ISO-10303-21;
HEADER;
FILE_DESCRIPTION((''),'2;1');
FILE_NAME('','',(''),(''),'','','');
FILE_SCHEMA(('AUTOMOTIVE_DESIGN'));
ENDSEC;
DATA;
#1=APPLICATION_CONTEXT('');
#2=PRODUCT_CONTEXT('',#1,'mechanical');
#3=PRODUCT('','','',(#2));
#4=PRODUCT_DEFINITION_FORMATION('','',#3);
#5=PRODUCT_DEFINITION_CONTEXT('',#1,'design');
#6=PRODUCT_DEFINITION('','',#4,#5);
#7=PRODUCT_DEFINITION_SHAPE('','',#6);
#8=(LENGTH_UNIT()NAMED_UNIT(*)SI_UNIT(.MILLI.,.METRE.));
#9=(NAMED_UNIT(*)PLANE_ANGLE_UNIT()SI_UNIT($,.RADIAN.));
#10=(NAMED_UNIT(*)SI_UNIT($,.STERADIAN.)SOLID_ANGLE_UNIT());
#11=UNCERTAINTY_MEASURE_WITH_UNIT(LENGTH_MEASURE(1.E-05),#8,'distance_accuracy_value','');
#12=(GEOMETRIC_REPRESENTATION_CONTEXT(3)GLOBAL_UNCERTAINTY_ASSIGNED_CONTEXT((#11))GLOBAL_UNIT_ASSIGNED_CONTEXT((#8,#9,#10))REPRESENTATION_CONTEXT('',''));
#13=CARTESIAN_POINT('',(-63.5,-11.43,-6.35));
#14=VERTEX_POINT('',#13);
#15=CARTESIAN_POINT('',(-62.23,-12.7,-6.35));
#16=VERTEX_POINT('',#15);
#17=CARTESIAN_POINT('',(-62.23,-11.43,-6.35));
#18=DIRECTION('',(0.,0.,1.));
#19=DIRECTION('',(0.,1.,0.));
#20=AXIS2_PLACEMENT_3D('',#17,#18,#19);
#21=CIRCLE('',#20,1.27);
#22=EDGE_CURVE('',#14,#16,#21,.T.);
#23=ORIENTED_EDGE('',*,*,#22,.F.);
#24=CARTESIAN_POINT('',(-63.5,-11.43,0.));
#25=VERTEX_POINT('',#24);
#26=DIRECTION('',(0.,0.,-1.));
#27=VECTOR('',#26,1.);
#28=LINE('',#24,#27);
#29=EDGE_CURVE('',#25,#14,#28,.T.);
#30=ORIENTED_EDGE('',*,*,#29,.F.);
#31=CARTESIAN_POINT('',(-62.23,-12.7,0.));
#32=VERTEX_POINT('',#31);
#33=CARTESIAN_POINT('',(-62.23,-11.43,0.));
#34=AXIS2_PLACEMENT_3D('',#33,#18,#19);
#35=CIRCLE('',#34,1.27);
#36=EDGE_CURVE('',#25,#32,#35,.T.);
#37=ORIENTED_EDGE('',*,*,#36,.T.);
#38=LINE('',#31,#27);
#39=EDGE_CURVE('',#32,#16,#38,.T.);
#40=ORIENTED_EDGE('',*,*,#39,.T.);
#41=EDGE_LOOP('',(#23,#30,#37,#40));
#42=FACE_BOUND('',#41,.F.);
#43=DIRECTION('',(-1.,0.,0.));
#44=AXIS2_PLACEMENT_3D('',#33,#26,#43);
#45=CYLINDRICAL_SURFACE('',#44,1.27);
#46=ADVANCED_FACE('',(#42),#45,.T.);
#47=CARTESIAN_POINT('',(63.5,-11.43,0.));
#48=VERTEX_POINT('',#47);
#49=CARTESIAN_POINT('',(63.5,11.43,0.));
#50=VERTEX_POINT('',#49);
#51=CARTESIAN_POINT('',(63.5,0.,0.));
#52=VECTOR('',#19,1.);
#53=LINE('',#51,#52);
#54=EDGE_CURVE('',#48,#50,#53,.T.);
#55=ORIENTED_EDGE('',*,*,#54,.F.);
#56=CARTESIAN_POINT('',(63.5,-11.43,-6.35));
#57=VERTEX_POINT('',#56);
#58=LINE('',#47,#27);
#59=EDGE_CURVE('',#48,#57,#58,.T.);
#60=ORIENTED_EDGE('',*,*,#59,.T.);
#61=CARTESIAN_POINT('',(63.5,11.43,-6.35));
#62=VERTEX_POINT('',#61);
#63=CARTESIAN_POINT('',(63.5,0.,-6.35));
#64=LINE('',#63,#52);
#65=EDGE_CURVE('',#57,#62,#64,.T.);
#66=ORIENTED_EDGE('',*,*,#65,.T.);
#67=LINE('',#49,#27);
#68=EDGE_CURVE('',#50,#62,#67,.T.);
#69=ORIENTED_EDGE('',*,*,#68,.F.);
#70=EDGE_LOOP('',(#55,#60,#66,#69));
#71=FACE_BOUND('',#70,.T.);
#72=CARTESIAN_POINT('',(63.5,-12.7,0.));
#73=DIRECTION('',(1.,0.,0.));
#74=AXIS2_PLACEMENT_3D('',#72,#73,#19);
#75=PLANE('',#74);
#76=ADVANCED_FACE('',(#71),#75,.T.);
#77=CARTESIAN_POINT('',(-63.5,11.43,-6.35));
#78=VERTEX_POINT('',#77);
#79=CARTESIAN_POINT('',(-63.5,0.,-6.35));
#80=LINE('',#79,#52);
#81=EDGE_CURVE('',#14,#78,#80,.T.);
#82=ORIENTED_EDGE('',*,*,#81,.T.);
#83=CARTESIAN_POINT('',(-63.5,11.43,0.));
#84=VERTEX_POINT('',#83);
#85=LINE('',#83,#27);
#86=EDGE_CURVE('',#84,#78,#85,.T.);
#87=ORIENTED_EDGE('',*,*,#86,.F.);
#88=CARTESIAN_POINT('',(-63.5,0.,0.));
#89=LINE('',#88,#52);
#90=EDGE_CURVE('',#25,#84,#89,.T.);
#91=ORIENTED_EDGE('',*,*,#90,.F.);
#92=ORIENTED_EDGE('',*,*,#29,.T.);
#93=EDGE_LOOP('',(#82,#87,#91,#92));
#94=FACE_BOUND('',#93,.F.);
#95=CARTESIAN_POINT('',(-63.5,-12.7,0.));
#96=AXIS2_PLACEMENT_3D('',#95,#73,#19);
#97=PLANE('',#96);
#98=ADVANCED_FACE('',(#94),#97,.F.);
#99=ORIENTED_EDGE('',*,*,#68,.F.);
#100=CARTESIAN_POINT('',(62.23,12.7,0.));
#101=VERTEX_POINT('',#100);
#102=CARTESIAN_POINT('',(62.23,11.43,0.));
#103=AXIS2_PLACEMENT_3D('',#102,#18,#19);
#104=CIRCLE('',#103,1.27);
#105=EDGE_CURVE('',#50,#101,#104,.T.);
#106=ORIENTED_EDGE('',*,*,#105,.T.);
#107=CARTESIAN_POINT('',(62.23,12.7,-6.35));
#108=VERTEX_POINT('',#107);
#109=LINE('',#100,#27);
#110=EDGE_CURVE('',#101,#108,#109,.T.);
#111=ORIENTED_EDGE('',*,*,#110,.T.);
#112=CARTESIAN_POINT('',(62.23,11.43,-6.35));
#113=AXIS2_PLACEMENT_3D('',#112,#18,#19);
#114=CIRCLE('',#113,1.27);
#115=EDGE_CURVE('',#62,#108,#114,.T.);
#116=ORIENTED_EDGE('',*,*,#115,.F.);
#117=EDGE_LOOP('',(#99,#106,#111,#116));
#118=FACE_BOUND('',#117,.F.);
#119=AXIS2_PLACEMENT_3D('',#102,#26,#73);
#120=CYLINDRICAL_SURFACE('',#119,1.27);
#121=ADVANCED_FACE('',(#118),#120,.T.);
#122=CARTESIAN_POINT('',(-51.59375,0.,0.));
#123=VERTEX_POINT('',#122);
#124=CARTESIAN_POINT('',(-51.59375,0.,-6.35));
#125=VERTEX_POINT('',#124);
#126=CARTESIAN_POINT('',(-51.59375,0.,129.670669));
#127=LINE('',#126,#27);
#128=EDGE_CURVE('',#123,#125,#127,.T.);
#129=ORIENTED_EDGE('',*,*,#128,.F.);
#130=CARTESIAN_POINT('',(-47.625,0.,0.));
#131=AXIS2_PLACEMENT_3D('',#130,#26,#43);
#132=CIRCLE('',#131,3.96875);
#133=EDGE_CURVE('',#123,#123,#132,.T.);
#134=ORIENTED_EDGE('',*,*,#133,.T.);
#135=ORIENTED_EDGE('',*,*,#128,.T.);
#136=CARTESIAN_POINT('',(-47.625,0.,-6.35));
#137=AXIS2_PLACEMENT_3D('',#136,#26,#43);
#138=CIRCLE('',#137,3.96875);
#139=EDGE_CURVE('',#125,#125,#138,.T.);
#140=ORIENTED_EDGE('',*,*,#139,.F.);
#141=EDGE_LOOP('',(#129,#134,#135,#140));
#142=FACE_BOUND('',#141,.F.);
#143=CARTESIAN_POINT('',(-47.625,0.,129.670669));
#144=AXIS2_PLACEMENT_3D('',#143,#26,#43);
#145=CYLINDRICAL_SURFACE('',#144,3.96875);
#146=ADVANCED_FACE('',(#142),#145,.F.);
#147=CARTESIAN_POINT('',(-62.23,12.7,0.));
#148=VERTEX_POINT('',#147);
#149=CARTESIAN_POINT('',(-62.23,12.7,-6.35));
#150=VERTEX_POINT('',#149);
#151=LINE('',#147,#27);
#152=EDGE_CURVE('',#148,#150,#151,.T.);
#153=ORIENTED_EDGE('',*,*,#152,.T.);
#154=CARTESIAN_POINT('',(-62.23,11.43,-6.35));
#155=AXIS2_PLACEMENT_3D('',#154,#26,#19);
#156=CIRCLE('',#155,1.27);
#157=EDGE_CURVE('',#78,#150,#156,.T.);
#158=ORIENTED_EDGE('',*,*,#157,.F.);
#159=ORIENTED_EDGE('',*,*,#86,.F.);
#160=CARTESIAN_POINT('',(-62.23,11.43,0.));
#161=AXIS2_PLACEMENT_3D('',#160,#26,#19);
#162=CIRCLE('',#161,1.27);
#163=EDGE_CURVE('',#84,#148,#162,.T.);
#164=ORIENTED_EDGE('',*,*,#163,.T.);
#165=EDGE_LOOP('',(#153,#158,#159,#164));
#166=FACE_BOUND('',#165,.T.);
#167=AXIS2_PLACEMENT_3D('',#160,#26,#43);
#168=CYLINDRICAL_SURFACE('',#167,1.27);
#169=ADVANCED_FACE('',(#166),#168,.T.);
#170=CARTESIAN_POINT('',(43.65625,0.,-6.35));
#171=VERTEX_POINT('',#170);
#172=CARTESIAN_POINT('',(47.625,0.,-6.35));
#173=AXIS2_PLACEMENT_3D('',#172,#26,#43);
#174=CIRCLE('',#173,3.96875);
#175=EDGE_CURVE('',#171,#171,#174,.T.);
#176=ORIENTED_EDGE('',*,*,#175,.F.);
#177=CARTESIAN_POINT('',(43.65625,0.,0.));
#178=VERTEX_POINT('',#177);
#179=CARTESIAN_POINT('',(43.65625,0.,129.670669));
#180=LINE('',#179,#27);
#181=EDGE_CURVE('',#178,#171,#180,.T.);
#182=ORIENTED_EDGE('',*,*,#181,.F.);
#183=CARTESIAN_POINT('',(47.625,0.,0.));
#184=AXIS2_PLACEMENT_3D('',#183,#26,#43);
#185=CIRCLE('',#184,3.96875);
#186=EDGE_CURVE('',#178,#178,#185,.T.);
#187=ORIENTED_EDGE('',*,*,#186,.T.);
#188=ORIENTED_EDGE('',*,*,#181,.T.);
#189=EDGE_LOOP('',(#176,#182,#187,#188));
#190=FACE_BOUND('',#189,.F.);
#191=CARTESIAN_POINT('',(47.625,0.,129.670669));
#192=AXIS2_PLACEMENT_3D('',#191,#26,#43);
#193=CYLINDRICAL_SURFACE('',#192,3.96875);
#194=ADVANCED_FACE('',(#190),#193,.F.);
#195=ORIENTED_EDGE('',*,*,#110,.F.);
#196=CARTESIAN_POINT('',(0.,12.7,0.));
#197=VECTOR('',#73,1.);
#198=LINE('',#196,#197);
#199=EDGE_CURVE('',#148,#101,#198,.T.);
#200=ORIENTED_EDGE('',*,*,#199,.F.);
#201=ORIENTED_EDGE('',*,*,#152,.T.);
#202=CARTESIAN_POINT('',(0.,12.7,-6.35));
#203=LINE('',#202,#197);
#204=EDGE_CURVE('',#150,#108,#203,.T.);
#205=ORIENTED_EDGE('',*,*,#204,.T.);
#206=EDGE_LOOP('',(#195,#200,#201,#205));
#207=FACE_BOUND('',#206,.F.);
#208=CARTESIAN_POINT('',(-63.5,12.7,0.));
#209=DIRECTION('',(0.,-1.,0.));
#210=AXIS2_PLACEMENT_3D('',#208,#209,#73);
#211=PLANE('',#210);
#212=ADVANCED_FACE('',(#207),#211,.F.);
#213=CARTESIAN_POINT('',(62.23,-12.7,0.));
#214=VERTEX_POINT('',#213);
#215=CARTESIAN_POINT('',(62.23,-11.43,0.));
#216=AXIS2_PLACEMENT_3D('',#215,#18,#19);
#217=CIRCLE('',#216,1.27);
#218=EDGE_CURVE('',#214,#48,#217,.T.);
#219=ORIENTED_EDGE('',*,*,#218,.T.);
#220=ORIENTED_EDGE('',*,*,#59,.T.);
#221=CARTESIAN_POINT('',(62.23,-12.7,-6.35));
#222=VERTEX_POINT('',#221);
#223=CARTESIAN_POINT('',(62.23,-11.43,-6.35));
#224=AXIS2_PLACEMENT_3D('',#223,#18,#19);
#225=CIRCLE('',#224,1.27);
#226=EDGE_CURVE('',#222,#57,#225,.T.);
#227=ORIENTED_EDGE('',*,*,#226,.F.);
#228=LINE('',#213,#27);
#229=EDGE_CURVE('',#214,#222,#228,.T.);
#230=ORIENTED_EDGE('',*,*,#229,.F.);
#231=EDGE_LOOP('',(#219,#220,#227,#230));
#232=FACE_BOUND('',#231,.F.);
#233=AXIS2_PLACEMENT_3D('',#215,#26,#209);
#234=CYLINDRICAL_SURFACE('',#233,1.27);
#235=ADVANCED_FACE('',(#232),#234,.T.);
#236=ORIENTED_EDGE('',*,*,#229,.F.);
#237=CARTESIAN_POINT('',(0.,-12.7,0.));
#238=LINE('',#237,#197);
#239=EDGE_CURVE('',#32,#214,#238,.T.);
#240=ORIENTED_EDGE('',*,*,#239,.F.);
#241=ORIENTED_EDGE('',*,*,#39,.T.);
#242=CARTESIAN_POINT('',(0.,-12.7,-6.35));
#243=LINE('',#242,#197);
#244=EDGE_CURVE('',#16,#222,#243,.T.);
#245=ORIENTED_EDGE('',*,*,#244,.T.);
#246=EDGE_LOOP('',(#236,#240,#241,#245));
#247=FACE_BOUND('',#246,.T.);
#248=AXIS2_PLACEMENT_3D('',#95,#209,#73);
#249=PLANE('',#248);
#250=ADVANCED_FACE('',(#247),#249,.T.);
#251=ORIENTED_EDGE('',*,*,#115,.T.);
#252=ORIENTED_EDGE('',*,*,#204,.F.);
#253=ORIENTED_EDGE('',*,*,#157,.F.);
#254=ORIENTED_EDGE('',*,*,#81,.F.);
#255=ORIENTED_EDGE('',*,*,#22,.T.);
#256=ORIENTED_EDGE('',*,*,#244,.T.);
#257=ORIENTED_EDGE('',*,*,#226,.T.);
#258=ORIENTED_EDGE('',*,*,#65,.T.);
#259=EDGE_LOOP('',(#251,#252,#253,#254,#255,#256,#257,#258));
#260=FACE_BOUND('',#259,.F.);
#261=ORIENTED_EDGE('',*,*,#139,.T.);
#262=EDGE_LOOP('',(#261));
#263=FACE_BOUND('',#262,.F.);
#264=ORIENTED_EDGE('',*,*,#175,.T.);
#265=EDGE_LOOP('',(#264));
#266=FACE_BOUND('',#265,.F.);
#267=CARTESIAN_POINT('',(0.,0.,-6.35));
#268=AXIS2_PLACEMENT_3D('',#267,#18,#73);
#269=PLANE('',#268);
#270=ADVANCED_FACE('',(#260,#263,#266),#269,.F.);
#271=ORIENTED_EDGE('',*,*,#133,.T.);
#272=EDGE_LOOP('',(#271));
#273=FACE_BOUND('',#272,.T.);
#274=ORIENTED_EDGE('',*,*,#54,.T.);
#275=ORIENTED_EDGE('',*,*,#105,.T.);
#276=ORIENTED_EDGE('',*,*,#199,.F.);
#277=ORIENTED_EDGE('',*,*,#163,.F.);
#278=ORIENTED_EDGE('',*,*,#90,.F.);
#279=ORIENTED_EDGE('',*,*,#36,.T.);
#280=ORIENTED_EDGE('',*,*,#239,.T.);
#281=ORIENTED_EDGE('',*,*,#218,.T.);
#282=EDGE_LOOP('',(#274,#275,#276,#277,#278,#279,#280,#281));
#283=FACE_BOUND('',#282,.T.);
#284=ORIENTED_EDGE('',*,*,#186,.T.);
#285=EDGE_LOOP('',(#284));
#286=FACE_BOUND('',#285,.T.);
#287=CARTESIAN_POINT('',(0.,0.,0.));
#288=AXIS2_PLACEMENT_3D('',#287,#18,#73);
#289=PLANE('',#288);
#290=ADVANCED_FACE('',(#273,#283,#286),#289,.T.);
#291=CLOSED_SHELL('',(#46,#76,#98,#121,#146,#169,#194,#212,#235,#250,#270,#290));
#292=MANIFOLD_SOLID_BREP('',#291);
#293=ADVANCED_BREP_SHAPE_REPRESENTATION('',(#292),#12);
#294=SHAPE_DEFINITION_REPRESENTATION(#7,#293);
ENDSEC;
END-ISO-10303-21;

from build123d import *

# Parameters (mm, degrees)
F0_W     = 127
F0_H     = 25.4
F1_DEPTH = 6.35
F2_R     = 1.27
F4_D     = 7.9375


with BuildPart() as f1:
    # F0 (on Top) → F1 (new body)
    with BuildSketch(Plane.XY):
        Rectangle(F0_W, F0_H)
    extrude(amount=-F1_DEPTH)

    # F2
    f2_edges = [f1.edges().sort_by_distance(p)[0] for p in [
        (-63.5, -12.7, -3.175),
        (-63.5, 12.7, -3.175),
        (63.5, 12.7, -3.175),
        (63.5, -12.7, -3.175),
    ]]
    fillet(f2_edges, radius=F2_R)

    # F4 (through all)
    with Locations(Plane.XY):
        with Locations((-47.625, 0), (47.625, 0)):
            Hole(F4_D / 2)


solid = f1.part
